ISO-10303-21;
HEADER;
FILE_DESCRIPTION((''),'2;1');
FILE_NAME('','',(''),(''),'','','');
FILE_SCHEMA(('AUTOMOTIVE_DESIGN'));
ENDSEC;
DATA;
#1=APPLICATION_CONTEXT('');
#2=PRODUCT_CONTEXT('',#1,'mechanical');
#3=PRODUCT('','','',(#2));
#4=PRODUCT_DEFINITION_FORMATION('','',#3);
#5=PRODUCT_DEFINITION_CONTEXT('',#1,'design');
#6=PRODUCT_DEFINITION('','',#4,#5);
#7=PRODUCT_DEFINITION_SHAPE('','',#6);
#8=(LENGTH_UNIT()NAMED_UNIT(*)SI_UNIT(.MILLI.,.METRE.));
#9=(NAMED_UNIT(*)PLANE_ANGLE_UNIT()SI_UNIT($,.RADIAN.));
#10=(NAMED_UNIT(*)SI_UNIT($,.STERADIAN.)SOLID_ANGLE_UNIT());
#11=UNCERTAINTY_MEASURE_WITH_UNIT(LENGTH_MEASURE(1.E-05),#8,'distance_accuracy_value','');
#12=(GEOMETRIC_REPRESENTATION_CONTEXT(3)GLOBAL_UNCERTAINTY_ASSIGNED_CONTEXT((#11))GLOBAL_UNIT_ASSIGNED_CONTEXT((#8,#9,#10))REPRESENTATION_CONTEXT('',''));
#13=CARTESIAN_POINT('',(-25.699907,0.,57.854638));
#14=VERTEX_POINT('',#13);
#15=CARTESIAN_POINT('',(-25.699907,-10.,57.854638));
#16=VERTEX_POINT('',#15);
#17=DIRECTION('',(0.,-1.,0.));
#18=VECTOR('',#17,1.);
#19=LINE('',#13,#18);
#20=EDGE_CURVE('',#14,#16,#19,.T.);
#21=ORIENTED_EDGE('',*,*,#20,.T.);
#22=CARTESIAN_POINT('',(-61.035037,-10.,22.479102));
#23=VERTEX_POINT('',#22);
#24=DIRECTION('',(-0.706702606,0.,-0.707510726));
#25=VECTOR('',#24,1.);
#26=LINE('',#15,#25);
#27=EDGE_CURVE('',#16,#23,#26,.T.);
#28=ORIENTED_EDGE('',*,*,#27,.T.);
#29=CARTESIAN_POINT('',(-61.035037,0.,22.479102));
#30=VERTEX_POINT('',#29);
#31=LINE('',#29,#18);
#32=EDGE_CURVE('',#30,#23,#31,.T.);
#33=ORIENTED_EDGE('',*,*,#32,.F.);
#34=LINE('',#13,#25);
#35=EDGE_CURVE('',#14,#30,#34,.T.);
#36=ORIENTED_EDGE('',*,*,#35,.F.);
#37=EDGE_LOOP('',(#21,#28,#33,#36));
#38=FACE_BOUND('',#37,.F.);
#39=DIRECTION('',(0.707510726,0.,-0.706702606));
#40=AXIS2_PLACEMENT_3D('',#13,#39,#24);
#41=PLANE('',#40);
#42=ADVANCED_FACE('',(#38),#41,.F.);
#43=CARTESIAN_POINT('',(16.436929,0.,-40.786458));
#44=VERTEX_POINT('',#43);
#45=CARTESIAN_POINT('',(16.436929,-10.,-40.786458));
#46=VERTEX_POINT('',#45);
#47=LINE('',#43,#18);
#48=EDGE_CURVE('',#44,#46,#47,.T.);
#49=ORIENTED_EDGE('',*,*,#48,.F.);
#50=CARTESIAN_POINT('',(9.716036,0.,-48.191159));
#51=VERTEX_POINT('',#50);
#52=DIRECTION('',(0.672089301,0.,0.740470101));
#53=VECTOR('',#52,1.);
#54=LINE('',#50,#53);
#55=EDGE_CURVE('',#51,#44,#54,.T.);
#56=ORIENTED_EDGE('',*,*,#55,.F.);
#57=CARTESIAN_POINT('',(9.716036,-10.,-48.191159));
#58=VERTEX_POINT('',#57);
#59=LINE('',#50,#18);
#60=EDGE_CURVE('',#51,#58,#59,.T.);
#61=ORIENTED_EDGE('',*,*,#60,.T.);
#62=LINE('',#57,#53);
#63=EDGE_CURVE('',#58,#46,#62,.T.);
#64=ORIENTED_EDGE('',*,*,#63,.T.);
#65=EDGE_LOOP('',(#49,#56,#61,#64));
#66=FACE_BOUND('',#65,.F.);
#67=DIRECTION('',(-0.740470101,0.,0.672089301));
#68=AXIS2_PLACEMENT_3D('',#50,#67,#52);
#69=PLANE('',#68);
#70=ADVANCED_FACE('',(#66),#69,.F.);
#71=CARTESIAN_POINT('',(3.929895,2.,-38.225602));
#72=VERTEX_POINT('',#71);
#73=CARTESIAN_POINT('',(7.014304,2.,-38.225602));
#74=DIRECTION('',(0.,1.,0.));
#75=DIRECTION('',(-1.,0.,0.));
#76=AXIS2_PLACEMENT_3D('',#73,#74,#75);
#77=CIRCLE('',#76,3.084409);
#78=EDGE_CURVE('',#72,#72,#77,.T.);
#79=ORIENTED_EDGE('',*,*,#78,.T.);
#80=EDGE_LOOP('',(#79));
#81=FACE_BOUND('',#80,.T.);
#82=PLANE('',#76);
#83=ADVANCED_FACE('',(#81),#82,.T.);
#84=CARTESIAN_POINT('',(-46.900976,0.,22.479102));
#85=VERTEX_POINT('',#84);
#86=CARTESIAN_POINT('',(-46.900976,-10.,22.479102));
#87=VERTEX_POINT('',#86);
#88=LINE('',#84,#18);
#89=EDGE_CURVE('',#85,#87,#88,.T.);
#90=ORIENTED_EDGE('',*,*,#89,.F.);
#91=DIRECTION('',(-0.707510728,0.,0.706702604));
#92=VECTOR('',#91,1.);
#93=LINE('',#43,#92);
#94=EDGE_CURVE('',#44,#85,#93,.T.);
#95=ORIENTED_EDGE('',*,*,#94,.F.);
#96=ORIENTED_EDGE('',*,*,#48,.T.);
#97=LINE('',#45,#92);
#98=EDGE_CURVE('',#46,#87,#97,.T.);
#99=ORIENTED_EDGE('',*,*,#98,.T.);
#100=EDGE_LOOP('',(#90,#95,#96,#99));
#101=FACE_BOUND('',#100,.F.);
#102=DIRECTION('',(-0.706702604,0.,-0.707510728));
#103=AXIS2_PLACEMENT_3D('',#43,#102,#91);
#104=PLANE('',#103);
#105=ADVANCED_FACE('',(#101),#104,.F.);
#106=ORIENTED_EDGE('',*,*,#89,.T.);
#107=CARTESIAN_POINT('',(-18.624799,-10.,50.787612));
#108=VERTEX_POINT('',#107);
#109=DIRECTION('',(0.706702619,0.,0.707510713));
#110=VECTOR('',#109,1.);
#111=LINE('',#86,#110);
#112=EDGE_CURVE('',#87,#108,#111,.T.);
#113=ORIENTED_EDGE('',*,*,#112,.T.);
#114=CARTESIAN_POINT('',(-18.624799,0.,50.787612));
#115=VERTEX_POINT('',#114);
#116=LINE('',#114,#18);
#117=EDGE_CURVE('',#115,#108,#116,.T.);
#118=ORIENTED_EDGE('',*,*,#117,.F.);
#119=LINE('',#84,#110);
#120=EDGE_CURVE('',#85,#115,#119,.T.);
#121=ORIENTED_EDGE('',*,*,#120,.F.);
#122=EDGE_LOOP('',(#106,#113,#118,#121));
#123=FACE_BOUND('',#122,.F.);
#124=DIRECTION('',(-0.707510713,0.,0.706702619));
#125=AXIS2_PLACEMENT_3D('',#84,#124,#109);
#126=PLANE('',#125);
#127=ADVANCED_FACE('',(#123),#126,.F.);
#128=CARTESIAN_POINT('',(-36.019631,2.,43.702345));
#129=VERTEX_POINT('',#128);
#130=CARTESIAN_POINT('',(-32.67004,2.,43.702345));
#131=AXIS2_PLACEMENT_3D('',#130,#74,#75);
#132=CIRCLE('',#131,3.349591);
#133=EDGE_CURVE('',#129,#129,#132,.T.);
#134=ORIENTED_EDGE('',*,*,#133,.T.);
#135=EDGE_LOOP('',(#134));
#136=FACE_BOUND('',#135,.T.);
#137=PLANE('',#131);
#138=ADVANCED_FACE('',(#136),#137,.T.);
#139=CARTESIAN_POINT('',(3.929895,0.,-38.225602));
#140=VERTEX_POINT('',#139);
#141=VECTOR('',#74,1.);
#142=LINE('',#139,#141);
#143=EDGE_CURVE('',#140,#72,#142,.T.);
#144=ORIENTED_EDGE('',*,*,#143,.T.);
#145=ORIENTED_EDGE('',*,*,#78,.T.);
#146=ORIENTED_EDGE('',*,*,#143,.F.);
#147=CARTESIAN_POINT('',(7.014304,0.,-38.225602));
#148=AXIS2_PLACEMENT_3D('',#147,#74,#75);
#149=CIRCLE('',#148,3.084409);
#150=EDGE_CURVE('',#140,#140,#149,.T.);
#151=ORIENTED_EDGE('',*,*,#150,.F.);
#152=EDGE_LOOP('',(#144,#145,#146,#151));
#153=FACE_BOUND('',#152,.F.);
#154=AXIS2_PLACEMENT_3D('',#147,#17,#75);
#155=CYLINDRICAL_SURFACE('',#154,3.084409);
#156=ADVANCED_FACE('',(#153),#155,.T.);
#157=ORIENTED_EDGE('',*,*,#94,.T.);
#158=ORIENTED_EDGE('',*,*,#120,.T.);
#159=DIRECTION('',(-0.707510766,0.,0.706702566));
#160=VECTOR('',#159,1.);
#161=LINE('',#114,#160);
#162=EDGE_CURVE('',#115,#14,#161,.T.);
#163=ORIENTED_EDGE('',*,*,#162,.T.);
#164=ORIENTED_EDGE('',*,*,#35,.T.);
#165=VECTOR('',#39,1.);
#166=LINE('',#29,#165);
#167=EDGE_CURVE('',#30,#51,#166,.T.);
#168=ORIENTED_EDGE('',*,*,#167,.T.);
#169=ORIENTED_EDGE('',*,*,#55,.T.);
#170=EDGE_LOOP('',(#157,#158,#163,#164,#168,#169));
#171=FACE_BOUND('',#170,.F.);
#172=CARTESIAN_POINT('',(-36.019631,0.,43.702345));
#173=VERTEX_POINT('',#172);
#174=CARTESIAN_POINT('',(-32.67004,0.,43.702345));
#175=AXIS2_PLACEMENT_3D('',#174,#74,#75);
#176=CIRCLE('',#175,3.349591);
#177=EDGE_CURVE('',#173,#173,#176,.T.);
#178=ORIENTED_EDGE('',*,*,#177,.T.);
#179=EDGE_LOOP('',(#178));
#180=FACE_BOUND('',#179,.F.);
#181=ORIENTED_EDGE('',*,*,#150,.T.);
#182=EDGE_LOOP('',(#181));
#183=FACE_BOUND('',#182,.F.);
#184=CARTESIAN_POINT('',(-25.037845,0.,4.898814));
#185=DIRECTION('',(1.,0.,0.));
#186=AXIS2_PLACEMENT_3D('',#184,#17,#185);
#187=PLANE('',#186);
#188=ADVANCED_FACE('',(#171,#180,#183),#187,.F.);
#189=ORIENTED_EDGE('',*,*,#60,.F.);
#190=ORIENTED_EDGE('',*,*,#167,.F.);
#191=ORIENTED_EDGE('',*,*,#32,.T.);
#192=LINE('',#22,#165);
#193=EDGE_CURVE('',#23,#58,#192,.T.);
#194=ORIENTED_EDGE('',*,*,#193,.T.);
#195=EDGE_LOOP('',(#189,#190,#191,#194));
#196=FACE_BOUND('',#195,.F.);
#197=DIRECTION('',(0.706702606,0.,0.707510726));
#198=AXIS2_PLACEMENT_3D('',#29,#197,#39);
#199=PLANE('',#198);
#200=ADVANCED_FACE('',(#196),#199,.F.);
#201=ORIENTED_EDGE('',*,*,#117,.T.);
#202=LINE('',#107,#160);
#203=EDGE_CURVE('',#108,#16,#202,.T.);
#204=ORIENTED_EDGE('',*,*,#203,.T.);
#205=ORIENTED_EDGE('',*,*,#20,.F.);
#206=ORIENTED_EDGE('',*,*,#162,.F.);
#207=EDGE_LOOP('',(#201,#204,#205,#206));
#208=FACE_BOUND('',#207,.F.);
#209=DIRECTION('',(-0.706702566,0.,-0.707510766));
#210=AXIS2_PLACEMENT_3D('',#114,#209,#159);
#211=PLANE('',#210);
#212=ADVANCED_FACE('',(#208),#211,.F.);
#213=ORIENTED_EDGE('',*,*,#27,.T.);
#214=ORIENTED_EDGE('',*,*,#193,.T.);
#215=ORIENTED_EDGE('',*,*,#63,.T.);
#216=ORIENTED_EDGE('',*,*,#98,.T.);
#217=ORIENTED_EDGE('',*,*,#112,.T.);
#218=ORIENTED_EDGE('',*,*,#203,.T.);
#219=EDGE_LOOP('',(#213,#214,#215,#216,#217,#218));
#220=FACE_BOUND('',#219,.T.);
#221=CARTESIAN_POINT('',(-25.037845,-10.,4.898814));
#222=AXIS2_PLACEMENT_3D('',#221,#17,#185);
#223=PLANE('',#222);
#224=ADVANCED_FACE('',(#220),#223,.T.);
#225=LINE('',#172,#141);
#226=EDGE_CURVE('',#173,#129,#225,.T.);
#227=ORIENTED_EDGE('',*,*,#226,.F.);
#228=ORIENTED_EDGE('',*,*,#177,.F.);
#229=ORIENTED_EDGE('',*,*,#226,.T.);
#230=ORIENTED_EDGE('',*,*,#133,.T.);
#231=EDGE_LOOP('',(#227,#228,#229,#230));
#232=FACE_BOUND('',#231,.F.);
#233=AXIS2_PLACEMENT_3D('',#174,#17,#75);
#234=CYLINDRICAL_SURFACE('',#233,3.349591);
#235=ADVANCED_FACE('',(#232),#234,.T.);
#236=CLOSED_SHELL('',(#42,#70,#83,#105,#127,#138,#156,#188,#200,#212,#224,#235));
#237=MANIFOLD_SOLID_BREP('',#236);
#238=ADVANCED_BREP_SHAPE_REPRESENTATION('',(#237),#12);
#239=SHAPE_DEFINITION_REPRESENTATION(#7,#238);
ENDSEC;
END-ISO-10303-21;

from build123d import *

# Parameters (mm, degrees)
F1_DEPTH = 10
F2_R     = 3.084409
F2_R_2   = 3.349591
F3_DEPTH = 2


with BuildPart() as f1:
    # F0 (on Front) → F1 (new body)
    with BuildSketch(Plane.XZ):
        Polygon((-25.699907, 57.854638), (-61.035037, 22.479102), (9.716036, -48.191159), (16.436929, -40.786458), (-46.900976, 22.479102), (-18.624799, 50.787612), align=None)
    extrude(amount=F1_DEPTH)

    # F2 (on face) → F3 (join)
    with BuildSketch(Plane(origin=(0, 0, 0), x_dir=(-1, 0, 0), z_dir=(0, 1, 0))):
        with Locations((-7.014304, -38.225602)):
            Circle(F2_R)
        with Locations((32.67004, 43.702345)):
            Circle(F2_R_2)
    extrude(amount=F3_DEPTH)


solid = f1.part
